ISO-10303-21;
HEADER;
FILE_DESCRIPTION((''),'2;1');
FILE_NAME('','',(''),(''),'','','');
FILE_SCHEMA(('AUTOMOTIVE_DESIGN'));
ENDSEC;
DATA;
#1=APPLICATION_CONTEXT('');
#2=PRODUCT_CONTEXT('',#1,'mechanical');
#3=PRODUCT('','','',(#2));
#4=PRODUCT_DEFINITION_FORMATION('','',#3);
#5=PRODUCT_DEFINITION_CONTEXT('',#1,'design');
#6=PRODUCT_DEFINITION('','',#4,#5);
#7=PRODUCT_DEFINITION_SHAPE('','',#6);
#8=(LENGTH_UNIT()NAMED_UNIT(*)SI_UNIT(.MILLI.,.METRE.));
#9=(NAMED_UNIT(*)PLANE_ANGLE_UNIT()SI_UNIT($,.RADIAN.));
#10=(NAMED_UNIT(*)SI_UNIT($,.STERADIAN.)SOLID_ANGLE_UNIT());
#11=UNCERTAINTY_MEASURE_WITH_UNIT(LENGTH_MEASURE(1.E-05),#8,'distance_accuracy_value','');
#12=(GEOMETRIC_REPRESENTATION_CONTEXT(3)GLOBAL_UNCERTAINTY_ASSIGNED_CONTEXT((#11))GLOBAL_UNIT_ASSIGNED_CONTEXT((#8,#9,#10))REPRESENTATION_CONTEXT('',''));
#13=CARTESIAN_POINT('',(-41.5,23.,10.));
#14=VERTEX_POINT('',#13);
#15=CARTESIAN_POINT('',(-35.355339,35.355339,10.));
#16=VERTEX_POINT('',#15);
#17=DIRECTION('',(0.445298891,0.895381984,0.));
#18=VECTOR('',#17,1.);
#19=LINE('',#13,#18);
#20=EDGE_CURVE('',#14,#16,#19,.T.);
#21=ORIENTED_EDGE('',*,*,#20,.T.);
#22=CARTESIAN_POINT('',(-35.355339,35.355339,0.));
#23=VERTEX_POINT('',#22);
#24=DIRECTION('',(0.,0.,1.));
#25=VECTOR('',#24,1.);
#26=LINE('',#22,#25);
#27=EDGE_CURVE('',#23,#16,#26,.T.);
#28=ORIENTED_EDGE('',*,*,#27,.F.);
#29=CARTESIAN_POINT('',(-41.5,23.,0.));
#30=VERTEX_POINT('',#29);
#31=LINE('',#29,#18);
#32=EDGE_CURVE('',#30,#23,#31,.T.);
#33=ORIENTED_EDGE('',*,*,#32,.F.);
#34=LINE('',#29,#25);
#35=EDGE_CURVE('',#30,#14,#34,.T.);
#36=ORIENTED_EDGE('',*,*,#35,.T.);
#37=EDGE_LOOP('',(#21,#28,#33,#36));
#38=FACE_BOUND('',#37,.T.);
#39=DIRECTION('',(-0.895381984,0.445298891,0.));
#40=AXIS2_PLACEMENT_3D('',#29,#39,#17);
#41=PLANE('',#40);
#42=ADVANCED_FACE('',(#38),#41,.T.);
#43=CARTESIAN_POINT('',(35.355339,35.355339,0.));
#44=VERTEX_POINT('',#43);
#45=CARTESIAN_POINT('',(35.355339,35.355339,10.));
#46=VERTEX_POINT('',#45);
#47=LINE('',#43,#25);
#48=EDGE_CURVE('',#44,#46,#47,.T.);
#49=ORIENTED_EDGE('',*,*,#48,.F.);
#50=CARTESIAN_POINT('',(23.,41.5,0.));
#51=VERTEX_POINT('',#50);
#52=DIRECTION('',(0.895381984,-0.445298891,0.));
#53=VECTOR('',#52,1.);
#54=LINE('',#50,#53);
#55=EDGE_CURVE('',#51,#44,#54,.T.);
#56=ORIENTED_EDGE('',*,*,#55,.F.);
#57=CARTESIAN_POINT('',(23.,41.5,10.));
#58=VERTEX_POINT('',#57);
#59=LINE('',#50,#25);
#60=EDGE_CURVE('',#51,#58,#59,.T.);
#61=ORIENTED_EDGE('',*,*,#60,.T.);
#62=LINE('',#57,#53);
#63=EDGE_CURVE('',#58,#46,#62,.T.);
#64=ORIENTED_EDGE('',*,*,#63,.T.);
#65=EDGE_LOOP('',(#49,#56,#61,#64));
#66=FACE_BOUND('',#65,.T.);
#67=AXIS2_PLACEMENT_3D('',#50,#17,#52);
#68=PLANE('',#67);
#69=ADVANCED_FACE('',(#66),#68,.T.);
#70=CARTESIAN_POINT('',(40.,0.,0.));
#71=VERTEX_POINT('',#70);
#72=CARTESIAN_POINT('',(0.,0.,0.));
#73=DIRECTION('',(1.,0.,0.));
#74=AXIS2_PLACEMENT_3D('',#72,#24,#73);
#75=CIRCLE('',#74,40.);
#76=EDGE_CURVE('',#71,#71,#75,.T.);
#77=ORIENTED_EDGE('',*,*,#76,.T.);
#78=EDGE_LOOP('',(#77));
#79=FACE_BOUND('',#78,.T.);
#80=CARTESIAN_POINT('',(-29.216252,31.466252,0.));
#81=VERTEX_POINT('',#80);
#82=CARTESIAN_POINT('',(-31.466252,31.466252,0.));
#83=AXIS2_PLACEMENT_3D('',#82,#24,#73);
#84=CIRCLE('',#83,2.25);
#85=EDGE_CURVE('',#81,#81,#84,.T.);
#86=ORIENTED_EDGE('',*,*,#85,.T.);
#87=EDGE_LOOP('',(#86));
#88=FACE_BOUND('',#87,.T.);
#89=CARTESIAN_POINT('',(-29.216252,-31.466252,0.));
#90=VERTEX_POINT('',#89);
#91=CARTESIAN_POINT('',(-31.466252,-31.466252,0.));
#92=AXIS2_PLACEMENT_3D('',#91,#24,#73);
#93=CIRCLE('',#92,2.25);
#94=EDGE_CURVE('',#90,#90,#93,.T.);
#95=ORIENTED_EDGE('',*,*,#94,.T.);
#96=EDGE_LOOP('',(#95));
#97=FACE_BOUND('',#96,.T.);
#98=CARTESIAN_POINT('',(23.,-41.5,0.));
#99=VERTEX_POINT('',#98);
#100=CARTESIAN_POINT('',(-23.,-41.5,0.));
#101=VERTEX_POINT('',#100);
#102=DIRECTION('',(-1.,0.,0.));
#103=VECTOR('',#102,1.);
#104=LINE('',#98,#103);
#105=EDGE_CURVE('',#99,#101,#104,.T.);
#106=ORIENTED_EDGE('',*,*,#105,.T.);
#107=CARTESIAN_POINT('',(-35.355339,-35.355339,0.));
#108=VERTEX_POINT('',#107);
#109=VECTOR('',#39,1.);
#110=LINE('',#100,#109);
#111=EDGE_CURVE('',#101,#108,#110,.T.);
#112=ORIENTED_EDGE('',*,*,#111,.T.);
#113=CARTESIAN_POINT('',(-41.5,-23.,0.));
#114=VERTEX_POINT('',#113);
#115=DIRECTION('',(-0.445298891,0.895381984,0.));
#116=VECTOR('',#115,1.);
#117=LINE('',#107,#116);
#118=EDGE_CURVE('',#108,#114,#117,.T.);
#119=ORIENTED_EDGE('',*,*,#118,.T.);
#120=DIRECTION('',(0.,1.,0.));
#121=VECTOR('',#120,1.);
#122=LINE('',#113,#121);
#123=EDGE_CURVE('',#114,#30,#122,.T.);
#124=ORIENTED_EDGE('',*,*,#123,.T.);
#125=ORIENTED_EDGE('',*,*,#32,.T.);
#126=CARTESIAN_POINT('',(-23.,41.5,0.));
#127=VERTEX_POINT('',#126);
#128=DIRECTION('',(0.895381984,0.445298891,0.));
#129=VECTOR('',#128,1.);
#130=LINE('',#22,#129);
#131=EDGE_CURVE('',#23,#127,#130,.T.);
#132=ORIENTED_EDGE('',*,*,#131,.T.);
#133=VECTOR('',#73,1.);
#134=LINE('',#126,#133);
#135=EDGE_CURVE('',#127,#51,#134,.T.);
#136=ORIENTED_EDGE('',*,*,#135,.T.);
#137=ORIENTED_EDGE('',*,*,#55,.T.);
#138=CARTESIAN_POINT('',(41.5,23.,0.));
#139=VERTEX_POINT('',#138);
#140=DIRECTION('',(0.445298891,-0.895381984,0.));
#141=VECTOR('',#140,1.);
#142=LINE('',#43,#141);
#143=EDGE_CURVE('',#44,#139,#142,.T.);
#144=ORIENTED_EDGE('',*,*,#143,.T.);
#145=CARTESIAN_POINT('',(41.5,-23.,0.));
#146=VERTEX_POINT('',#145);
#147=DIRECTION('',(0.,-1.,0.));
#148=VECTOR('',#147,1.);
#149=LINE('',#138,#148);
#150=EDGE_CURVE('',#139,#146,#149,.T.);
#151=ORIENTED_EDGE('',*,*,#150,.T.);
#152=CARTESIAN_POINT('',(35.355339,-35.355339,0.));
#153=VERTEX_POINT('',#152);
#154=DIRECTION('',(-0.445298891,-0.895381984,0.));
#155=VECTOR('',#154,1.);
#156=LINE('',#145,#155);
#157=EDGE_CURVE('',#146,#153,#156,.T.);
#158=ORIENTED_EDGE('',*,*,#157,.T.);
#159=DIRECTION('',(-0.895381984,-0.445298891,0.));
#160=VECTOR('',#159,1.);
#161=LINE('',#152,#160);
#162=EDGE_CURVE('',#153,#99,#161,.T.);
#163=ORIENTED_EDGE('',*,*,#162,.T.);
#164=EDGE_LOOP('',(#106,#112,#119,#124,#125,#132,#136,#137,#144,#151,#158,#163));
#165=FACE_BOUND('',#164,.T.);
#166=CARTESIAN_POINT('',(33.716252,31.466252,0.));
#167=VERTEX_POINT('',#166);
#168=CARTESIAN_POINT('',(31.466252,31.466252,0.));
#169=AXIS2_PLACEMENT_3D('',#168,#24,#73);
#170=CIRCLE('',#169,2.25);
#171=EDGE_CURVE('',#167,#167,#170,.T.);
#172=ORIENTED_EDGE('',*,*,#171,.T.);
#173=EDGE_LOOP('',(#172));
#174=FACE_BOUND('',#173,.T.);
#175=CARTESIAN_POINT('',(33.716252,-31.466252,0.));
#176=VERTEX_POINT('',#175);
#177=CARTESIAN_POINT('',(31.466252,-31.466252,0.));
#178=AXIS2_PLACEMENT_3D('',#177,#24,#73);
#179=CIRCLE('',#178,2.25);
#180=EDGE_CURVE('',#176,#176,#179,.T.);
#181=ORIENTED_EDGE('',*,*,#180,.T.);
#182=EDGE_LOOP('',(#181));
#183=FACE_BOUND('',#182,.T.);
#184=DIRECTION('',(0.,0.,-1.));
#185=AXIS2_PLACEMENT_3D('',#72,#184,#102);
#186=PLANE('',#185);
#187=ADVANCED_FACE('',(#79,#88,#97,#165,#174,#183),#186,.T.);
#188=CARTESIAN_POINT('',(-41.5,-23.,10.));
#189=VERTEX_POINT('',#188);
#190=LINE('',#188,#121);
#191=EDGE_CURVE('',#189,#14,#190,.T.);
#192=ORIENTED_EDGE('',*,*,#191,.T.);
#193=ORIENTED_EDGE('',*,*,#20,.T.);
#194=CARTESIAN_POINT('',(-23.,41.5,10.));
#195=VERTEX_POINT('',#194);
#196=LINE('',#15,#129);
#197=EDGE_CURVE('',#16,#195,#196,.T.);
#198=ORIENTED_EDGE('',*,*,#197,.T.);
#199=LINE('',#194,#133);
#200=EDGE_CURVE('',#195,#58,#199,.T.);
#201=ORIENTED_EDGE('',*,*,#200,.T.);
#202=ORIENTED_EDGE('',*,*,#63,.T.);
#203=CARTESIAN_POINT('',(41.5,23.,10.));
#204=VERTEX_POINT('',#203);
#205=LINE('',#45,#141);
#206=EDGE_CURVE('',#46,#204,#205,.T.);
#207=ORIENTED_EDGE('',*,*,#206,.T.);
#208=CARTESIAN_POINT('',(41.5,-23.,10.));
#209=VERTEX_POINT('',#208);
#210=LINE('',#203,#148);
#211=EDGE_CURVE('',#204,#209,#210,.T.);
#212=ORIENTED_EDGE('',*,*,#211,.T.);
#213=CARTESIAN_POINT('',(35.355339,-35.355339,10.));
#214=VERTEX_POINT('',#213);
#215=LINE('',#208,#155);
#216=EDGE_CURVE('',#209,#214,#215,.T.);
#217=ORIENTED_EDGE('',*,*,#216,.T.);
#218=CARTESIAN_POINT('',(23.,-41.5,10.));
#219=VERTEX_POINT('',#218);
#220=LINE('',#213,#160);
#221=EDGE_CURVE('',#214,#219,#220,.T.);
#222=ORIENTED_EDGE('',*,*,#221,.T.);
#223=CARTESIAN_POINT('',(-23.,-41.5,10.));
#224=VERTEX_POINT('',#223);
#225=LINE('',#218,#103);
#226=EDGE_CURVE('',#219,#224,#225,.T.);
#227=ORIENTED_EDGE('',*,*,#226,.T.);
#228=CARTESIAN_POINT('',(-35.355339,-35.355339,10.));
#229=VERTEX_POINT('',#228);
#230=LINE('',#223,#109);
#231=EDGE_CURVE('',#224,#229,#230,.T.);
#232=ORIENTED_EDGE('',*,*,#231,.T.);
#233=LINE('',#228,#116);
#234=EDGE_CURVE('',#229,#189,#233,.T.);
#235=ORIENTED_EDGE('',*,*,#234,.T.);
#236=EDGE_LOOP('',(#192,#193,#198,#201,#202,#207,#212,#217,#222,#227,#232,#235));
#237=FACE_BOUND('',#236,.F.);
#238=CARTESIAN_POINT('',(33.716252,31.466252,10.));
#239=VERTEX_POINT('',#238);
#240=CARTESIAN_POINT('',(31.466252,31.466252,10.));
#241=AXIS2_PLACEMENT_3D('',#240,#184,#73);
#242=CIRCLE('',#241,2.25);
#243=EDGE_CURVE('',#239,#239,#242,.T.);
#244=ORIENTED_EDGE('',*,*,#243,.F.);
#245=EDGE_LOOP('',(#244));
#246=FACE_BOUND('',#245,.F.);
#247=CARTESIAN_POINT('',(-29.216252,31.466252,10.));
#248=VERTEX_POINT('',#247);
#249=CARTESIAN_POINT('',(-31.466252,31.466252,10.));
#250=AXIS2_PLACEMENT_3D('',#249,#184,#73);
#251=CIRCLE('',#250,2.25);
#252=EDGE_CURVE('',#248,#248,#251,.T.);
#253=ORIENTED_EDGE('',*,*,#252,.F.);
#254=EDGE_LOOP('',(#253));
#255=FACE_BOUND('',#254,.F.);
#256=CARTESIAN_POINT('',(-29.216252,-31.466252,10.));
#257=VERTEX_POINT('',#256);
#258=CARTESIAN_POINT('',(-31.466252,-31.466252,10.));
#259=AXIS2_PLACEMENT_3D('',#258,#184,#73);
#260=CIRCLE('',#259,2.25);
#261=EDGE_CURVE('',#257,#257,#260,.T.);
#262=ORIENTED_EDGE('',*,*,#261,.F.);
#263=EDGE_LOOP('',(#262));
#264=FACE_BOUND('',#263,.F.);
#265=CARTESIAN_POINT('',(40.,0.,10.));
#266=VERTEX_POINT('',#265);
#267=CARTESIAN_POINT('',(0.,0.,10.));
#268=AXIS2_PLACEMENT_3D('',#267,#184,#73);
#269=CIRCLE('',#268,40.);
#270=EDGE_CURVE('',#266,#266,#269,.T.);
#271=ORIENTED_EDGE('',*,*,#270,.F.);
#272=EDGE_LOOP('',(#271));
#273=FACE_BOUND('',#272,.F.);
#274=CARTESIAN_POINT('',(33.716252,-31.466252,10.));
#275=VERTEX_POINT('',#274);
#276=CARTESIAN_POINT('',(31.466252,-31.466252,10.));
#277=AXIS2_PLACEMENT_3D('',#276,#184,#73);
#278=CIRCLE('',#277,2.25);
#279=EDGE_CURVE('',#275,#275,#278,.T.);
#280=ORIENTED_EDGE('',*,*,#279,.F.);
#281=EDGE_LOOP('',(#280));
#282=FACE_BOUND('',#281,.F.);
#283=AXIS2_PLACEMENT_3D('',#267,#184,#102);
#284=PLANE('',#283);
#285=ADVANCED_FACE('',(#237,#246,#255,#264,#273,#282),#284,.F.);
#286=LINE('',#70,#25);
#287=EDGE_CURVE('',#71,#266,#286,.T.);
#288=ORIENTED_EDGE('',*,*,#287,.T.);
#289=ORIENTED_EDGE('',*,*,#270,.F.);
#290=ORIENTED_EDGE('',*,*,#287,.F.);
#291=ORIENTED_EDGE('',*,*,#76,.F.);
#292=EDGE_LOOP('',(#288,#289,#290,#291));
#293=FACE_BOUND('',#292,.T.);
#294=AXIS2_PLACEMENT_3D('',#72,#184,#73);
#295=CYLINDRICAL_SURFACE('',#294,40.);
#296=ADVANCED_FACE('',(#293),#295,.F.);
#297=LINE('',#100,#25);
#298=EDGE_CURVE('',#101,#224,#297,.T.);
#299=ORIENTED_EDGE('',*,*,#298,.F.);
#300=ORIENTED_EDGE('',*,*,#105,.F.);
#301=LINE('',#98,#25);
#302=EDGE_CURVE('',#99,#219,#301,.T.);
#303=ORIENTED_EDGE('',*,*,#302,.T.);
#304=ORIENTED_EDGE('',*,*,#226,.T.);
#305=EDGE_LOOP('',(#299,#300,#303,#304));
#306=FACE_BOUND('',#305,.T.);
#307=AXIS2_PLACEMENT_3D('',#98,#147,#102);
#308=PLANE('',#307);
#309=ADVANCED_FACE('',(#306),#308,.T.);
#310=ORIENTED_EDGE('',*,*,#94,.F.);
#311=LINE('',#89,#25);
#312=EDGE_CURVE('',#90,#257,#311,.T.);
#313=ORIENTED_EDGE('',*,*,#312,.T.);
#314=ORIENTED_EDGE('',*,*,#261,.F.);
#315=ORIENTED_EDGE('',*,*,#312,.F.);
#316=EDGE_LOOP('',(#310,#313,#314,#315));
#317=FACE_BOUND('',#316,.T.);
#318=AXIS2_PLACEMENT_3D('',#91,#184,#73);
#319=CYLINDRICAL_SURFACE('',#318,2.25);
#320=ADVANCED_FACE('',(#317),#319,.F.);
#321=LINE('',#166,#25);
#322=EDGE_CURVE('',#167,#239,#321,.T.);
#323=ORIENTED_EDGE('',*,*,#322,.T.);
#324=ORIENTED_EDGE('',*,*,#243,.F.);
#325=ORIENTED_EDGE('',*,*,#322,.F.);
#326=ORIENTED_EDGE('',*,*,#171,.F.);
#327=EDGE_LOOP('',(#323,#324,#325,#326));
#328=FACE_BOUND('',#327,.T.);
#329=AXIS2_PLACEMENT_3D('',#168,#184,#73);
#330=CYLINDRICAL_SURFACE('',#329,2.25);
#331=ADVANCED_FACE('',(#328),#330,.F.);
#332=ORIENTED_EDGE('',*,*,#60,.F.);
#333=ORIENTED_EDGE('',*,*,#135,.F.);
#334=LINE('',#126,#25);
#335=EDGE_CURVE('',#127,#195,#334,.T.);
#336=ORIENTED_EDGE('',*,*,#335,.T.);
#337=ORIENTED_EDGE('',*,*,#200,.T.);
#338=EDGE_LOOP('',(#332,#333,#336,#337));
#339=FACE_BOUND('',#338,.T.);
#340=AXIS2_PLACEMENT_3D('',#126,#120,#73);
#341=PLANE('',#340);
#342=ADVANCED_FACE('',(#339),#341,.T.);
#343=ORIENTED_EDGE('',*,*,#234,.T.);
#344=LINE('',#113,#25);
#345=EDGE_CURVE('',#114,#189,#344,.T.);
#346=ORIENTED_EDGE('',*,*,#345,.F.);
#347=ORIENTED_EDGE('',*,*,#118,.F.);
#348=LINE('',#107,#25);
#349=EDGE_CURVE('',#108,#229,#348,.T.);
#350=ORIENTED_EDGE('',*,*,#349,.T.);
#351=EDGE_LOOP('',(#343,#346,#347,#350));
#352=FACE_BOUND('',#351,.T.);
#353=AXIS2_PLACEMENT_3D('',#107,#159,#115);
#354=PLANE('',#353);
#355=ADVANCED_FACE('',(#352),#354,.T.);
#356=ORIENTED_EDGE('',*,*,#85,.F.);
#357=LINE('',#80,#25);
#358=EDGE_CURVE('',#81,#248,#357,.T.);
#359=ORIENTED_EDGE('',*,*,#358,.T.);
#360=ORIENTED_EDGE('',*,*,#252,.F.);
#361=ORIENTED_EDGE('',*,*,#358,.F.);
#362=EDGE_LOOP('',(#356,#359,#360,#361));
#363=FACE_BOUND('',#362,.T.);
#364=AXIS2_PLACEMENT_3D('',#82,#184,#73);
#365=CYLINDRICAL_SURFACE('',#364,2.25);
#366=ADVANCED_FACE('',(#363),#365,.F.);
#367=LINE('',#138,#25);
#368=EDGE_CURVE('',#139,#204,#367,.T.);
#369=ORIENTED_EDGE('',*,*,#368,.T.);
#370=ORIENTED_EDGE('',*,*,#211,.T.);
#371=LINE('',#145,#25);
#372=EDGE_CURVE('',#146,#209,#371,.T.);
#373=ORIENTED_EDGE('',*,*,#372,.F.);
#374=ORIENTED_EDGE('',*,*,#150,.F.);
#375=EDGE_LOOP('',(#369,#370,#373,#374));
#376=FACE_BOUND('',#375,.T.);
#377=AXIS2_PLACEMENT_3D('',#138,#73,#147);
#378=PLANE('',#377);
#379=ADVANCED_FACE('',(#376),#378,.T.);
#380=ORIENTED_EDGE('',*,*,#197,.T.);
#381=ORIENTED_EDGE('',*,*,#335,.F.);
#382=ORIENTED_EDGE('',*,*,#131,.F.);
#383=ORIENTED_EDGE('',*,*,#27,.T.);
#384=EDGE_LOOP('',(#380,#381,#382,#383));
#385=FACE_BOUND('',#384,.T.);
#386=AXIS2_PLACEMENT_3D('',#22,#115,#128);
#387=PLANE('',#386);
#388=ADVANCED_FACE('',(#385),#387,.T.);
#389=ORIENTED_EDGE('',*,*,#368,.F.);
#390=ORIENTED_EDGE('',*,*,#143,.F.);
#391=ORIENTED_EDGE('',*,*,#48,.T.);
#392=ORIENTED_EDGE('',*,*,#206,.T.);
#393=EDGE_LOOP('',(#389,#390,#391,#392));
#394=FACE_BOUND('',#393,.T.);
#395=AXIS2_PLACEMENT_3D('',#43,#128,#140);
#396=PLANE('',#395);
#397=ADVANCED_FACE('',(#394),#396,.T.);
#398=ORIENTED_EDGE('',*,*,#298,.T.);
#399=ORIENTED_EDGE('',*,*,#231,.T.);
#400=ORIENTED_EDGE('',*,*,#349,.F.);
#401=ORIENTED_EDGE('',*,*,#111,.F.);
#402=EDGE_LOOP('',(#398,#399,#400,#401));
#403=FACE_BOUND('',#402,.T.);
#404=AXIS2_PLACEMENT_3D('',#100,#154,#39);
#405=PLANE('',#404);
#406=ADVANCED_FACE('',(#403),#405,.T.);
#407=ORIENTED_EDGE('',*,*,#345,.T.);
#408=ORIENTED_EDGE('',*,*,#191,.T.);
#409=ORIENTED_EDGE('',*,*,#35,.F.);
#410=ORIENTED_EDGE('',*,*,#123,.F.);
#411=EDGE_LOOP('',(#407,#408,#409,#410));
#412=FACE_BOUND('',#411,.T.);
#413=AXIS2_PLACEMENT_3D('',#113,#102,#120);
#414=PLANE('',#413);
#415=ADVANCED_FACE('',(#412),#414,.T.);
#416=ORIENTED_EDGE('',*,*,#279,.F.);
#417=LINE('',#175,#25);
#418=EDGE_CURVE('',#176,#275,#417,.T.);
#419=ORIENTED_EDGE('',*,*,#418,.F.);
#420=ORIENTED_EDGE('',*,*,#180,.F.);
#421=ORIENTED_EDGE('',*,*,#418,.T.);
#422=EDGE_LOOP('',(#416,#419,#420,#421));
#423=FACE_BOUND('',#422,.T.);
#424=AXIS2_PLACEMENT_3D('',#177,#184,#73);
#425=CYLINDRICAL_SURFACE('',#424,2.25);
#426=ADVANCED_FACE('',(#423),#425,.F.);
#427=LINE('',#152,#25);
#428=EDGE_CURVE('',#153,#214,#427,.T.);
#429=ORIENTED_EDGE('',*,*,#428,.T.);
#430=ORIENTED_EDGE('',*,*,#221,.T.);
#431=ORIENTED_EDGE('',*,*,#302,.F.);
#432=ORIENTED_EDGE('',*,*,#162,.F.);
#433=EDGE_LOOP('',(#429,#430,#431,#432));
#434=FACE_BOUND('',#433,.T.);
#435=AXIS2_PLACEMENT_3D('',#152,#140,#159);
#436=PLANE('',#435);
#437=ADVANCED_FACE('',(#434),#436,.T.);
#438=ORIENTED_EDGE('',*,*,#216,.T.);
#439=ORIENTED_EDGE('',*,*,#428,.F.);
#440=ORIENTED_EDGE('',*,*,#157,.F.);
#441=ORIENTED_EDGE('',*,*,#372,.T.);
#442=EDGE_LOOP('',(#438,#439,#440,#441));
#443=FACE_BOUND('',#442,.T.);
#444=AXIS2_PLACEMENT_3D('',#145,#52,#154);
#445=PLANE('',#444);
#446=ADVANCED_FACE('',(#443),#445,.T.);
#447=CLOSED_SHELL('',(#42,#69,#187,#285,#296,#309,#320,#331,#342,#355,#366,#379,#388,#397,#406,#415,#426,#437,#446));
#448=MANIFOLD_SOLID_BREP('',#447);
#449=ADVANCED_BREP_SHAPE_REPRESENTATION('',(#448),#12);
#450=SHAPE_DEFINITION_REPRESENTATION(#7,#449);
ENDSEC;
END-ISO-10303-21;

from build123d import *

# Parameters (mm, degrees)
PAD_DEPTH    = 10
SKETCH_R     = 40
SKETCH_R_2   = 2.25
POCKET_DEPTH = 10.001


with BuildPart() as part:
    # Sketch001 → Pad (new body)
    with BuildSketch(Plane.XY):
        Polygon((-23, 41.5), (23, 41.5), (35.355339, 35.355339), (41.5, 23), (41.5, -23), (35.355339, -35.355339), (23, -41.5), (-23, -41.5), (-35.355339, -35.355339), (-41.5, -23), (-41.5, 23), (-35.355339, 35.355339), align=None)
    extrude(amount=PAD_DEPTH)

    # Sketch → Pocket (cut, through all)
    with BuildSketch(Plane.XY):
        Circle(SKETCH_R)
        with Locations((31.466252, 31.466252)):
            Circle(SKETCH_R_2)
        with Locations((-31.466252, 31.466252)):
            Circle(SKETCH_R_2)
        with Locations((31.466252, -31.466252)):
            Circle(SKETCH_R_2)
        with Locations((-31.466252, -31.466252)):
            Circle(SKETCH_R_2)
    extrude(amount=POCKET_DEPTH, mode=Mode.SUBTRACT)


solid = part.part
